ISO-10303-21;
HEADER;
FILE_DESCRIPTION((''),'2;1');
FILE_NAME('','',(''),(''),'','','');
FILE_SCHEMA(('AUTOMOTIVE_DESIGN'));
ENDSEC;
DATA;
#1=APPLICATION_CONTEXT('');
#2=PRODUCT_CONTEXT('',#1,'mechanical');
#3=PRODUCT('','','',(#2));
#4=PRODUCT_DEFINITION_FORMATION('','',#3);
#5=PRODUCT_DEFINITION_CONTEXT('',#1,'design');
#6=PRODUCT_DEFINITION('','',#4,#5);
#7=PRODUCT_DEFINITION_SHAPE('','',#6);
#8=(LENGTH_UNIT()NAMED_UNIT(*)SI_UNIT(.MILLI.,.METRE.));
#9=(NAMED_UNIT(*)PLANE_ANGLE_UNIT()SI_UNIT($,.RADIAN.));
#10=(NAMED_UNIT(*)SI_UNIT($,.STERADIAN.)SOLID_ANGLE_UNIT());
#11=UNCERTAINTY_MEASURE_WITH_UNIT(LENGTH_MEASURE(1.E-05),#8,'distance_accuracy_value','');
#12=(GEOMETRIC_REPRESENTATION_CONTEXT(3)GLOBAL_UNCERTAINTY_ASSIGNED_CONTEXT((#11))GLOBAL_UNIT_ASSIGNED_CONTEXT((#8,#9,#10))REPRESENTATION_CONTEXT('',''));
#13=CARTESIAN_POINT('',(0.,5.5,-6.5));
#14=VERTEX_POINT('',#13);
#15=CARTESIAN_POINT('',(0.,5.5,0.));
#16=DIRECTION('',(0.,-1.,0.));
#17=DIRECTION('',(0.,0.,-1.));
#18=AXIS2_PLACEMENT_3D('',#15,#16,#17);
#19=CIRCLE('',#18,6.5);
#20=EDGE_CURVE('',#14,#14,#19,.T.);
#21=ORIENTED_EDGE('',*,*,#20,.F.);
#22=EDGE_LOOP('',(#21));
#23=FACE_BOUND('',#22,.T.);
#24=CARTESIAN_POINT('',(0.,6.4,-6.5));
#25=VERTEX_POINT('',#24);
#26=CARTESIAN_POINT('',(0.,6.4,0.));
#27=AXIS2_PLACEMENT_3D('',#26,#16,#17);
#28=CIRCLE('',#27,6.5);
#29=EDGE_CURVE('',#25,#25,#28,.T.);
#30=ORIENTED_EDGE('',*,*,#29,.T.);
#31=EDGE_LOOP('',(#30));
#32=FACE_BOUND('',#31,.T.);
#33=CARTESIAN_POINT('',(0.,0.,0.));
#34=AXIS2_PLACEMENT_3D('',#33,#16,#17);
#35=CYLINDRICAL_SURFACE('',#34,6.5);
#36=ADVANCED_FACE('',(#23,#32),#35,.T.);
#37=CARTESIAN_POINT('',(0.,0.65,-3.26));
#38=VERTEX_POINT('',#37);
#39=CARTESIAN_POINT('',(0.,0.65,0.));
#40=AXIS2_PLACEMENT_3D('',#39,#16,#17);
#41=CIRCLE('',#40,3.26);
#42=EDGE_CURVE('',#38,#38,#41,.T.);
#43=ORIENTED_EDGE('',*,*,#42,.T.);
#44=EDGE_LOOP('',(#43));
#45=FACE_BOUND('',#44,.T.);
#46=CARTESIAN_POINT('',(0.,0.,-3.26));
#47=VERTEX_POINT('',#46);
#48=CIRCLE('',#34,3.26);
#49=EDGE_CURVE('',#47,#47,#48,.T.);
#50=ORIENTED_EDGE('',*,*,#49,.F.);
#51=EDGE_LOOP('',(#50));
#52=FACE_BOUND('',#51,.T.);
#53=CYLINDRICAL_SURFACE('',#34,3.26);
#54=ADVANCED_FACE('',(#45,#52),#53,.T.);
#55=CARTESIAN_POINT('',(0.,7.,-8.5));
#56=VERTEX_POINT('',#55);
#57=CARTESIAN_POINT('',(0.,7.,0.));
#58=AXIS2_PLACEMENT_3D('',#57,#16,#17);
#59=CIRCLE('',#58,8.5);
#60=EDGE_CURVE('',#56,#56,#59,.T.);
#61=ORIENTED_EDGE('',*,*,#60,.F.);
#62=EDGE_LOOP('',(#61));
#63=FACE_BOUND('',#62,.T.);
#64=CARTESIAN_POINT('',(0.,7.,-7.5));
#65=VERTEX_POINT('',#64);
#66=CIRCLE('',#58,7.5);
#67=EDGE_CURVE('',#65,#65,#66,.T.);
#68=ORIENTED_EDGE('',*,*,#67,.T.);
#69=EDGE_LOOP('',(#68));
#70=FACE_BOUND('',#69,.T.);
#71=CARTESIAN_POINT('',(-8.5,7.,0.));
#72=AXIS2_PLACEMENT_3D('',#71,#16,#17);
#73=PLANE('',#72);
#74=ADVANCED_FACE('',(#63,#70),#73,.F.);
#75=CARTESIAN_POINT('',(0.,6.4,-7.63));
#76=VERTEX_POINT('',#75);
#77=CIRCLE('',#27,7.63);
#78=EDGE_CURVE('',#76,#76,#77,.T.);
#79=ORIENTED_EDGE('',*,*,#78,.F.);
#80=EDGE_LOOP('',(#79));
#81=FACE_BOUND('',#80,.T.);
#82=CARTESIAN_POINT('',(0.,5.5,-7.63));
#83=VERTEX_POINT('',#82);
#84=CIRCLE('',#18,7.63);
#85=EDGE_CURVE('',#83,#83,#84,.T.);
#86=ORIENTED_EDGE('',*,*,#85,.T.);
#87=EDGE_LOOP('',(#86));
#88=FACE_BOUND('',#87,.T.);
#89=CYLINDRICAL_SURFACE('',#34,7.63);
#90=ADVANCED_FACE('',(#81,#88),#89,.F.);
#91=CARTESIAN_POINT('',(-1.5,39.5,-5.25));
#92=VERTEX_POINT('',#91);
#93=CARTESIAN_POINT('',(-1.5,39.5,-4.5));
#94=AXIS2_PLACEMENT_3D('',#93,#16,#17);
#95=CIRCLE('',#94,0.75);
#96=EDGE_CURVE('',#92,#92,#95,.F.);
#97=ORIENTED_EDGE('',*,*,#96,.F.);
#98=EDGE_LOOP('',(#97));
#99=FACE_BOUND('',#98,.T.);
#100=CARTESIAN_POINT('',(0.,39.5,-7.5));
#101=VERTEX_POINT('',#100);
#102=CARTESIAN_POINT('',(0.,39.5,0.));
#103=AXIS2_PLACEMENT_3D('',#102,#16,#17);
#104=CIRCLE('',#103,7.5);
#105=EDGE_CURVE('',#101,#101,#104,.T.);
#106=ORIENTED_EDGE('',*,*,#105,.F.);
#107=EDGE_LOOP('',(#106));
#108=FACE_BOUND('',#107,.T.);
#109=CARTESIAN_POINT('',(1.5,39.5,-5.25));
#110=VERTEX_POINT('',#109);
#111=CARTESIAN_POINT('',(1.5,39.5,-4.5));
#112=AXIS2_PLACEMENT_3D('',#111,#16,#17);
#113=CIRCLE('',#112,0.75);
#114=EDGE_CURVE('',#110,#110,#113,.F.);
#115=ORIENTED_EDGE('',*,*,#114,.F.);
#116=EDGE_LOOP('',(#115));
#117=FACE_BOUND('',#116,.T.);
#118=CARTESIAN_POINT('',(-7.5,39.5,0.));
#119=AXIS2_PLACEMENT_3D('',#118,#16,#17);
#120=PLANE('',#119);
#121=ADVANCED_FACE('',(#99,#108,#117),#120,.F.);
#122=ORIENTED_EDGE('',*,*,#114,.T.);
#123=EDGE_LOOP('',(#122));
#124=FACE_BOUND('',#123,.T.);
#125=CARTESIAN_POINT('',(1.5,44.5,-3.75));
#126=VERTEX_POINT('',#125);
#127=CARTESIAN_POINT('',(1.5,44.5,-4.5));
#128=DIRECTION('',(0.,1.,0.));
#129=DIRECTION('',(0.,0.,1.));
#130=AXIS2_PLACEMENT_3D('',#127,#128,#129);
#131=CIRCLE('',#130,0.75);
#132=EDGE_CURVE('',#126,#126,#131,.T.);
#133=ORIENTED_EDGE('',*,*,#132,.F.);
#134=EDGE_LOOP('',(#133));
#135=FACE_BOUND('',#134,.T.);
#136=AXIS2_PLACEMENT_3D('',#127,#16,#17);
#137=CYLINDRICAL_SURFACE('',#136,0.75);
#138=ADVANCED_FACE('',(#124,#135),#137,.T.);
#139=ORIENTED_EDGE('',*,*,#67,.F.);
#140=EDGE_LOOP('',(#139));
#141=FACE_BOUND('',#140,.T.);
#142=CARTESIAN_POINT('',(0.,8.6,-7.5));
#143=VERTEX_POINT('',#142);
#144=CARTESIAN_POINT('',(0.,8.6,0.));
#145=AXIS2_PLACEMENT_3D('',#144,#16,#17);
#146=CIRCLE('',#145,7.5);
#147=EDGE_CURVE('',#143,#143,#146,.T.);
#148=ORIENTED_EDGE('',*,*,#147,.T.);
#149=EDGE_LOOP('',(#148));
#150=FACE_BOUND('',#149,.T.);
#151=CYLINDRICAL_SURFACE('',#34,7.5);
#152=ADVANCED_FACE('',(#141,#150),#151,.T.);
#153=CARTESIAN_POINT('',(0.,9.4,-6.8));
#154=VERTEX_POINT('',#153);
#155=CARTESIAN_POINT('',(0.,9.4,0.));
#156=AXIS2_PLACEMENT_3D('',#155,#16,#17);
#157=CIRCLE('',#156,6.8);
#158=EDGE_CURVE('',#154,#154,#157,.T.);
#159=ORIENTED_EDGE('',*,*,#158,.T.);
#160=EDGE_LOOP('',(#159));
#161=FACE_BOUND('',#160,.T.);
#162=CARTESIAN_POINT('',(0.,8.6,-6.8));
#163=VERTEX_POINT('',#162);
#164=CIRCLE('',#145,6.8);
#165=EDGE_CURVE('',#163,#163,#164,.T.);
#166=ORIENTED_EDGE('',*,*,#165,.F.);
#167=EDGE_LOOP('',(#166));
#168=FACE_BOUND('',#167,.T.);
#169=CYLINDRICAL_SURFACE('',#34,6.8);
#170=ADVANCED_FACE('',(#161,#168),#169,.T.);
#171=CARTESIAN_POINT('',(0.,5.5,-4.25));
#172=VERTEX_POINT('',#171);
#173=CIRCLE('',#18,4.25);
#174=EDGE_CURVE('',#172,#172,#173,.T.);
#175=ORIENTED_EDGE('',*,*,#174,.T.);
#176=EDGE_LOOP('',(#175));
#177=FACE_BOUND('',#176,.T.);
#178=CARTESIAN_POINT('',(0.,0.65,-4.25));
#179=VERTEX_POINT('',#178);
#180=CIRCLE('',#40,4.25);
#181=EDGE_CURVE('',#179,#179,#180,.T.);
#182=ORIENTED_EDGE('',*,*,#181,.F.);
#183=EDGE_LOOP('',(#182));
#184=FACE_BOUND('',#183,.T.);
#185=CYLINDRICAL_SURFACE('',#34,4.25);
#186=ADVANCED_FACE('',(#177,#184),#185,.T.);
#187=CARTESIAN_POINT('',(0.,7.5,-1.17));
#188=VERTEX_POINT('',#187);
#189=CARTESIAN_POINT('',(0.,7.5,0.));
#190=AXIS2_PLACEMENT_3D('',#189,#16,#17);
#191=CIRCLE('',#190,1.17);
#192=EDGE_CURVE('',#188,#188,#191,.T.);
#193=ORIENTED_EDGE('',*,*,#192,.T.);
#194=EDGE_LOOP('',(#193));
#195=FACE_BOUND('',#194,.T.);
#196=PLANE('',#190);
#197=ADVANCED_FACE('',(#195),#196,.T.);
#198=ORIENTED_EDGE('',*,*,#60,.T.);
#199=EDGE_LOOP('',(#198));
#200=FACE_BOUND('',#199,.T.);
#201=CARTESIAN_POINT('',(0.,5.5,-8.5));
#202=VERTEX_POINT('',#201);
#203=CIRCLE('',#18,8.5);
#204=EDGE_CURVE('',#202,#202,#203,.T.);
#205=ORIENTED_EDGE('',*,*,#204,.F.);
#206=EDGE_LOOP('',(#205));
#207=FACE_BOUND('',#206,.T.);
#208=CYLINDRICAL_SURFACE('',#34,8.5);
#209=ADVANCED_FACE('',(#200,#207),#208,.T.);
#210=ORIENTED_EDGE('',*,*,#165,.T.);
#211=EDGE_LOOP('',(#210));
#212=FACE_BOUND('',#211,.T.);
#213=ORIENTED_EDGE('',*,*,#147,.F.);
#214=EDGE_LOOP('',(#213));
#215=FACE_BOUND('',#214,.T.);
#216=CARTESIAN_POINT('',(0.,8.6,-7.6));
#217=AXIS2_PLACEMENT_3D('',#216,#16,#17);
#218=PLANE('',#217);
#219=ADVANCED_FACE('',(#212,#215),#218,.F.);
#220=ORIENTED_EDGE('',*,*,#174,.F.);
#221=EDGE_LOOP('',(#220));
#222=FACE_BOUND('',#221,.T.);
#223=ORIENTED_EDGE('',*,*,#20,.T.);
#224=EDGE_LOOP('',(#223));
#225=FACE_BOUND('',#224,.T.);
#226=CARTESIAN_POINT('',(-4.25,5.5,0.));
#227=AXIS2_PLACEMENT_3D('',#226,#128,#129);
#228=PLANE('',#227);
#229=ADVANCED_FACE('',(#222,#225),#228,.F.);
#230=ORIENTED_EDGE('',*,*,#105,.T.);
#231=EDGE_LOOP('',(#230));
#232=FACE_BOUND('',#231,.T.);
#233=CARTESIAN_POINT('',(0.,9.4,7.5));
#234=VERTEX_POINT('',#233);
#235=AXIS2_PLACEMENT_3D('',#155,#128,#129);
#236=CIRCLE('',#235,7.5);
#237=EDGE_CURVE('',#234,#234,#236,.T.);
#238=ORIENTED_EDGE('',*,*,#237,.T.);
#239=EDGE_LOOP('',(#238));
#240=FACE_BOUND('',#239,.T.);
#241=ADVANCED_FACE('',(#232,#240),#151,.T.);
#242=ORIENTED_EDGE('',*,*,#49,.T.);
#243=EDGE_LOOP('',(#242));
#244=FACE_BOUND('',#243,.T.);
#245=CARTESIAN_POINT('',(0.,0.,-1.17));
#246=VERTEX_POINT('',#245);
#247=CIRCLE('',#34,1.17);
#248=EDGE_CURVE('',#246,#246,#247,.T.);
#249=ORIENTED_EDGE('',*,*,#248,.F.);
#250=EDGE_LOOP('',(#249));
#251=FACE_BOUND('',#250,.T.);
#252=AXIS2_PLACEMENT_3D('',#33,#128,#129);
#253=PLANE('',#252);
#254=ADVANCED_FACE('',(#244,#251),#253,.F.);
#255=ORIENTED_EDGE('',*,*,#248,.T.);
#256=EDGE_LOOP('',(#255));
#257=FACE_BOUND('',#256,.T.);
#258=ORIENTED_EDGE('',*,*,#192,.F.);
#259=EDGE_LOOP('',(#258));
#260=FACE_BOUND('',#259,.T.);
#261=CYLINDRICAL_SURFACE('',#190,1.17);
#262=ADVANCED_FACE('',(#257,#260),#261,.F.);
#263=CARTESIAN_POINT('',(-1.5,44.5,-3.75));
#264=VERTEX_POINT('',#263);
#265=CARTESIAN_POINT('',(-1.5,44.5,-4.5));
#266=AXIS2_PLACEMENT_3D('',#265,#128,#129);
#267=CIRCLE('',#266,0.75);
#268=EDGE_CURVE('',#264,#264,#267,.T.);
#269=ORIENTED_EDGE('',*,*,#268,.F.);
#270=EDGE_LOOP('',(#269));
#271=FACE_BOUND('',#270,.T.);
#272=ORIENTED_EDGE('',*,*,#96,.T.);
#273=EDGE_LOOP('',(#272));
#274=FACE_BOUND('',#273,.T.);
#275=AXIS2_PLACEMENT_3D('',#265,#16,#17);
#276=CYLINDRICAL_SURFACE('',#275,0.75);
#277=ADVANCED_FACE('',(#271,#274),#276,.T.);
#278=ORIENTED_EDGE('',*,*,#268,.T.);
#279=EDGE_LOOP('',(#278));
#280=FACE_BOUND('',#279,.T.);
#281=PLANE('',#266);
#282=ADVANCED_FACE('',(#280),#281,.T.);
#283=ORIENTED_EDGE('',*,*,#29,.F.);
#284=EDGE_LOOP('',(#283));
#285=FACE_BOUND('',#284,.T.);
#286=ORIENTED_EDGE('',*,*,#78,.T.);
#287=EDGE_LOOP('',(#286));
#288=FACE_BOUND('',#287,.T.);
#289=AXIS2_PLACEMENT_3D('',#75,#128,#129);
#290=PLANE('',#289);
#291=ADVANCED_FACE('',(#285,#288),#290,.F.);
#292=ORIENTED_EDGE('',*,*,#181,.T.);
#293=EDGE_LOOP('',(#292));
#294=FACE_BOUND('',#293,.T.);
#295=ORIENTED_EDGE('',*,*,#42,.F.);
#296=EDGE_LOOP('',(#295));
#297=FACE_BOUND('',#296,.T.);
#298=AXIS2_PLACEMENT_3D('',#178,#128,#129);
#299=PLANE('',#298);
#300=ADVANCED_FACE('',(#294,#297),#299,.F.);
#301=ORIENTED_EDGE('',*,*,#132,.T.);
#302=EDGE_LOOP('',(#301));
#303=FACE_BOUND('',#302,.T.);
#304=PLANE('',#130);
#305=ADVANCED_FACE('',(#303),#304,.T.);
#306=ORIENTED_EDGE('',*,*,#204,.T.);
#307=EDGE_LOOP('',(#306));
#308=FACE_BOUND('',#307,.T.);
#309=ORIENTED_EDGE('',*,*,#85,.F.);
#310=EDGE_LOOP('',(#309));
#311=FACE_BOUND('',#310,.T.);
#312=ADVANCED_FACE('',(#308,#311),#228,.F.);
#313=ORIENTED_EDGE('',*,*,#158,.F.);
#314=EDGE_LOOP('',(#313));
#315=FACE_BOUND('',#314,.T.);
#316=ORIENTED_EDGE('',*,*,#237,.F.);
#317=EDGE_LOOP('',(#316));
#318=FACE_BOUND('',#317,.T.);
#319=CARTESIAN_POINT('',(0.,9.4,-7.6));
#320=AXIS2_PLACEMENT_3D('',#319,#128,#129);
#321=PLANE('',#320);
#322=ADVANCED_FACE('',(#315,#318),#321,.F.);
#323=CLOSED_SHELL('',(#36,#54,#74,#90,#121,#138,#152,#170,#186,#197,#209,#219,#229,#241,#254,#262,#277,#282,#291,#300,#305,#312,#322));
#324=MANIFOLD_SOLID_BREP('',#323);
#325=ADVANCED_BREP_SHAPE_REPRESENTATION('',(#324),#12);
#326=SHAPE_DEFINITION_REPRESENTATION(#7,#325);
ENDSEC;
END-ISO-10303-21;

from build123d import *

# Parameters (mm, degrees)
SKETCH2_R           = 0.75
BOSS_EXTRUDE1_DEPTH = 5
SKETCH3_W           = 0.99
SKETCH3_H           = 0.65
SKETCH4_R           = 1.17
CUT_EXTRUDE1_DEPTH  = 7.5
SKETCH5_W           = 1.13
SKETCH5_H           = 0.9
SKETCH_N_W          = 0.8
SKETCH_N_H          = 0.8


with BuildPart() as part:
    # Sketch1 → Revolve2 (revolve)
    with BuildSketch(Plane.XY):
        Polygon((0, 0), (-4.25, 0), (-4.25, 5.5), (-8.5, 5.5), (-8.5, 7), (-7.5, 7), (-7.5, 39.5), (0, 39.5), align=None)
    revolve(axis=Axis((0, 0, 0), (0, 1, 0)))

    # Sketch2 → Boss-Extrude1 (add)
    with BuildSketch(Plane(origin=(0, 39.5, 0), x_dir=(1, 0, 0), z_dir=(0, 1, 0))):
        with Locations((1.5, 4.5)):
            Circle(SKETCH2_R)
        with Locations((-1.5, 4.5)):
            Circle(SKETCH2_R)
    extrude(amount=BOSS_EXTRUDE1_DEPTH)

    # Sketch3 → Cut-Revolve1 (revolve, cut)
    with BuildSketch(Plane(origin=(0, 0, 0), x_dir=(0, 0, -1), z_dir=(1, 0, 0))):
        with Locations((3.755, 0.325)):
            Rectangle(SKETCH3_W, SKETCH3_H)
    revolve(axis=Axis((0, 0, 0), (0, 1, 0)), mode=Mode.SUBTRACT)

    # Sketch4 → Cut-Extrude1 (cut)
    with BuildSketch(Plane.XZ):
        Circle(SKETCH4_R)
    extrude(amount=-CUT_EXTRUDE1_DEPTH, mode=Mode.SUBTRACT)

    # Sketch5 → Cut-Revolve2 (revolve, cut)
    with BuildSketch(Plane(origin=(0, 0, 0), x_dir=(0, 0, -1), z_dir=(1, 0, 0))):
        with Locations((7.065, 5.95)):
            Rectangle(SKETCH5_W, SKETCH5_H)
    revolve(axis=Axis((0, 0, 0), (0, 1, 0)), mode=Mode.SUBTRACT)

    # Sketch N → Cut-Revolve8 (revolve, cut)
    with BuildSketch(Plane(origin=(0, 0, 0), x_dir=(0, 0, -1), z_dir=(1, 0, 0))):
        with Locations((7.2, 9)):
            Rectangle(SKETCH_N_W, SKETCH_N_H)
    revolve(axis=Axis((0, 0, 0), (0, 1, 0)), mode=Mode.SUBTRACT)


solid = part.part
